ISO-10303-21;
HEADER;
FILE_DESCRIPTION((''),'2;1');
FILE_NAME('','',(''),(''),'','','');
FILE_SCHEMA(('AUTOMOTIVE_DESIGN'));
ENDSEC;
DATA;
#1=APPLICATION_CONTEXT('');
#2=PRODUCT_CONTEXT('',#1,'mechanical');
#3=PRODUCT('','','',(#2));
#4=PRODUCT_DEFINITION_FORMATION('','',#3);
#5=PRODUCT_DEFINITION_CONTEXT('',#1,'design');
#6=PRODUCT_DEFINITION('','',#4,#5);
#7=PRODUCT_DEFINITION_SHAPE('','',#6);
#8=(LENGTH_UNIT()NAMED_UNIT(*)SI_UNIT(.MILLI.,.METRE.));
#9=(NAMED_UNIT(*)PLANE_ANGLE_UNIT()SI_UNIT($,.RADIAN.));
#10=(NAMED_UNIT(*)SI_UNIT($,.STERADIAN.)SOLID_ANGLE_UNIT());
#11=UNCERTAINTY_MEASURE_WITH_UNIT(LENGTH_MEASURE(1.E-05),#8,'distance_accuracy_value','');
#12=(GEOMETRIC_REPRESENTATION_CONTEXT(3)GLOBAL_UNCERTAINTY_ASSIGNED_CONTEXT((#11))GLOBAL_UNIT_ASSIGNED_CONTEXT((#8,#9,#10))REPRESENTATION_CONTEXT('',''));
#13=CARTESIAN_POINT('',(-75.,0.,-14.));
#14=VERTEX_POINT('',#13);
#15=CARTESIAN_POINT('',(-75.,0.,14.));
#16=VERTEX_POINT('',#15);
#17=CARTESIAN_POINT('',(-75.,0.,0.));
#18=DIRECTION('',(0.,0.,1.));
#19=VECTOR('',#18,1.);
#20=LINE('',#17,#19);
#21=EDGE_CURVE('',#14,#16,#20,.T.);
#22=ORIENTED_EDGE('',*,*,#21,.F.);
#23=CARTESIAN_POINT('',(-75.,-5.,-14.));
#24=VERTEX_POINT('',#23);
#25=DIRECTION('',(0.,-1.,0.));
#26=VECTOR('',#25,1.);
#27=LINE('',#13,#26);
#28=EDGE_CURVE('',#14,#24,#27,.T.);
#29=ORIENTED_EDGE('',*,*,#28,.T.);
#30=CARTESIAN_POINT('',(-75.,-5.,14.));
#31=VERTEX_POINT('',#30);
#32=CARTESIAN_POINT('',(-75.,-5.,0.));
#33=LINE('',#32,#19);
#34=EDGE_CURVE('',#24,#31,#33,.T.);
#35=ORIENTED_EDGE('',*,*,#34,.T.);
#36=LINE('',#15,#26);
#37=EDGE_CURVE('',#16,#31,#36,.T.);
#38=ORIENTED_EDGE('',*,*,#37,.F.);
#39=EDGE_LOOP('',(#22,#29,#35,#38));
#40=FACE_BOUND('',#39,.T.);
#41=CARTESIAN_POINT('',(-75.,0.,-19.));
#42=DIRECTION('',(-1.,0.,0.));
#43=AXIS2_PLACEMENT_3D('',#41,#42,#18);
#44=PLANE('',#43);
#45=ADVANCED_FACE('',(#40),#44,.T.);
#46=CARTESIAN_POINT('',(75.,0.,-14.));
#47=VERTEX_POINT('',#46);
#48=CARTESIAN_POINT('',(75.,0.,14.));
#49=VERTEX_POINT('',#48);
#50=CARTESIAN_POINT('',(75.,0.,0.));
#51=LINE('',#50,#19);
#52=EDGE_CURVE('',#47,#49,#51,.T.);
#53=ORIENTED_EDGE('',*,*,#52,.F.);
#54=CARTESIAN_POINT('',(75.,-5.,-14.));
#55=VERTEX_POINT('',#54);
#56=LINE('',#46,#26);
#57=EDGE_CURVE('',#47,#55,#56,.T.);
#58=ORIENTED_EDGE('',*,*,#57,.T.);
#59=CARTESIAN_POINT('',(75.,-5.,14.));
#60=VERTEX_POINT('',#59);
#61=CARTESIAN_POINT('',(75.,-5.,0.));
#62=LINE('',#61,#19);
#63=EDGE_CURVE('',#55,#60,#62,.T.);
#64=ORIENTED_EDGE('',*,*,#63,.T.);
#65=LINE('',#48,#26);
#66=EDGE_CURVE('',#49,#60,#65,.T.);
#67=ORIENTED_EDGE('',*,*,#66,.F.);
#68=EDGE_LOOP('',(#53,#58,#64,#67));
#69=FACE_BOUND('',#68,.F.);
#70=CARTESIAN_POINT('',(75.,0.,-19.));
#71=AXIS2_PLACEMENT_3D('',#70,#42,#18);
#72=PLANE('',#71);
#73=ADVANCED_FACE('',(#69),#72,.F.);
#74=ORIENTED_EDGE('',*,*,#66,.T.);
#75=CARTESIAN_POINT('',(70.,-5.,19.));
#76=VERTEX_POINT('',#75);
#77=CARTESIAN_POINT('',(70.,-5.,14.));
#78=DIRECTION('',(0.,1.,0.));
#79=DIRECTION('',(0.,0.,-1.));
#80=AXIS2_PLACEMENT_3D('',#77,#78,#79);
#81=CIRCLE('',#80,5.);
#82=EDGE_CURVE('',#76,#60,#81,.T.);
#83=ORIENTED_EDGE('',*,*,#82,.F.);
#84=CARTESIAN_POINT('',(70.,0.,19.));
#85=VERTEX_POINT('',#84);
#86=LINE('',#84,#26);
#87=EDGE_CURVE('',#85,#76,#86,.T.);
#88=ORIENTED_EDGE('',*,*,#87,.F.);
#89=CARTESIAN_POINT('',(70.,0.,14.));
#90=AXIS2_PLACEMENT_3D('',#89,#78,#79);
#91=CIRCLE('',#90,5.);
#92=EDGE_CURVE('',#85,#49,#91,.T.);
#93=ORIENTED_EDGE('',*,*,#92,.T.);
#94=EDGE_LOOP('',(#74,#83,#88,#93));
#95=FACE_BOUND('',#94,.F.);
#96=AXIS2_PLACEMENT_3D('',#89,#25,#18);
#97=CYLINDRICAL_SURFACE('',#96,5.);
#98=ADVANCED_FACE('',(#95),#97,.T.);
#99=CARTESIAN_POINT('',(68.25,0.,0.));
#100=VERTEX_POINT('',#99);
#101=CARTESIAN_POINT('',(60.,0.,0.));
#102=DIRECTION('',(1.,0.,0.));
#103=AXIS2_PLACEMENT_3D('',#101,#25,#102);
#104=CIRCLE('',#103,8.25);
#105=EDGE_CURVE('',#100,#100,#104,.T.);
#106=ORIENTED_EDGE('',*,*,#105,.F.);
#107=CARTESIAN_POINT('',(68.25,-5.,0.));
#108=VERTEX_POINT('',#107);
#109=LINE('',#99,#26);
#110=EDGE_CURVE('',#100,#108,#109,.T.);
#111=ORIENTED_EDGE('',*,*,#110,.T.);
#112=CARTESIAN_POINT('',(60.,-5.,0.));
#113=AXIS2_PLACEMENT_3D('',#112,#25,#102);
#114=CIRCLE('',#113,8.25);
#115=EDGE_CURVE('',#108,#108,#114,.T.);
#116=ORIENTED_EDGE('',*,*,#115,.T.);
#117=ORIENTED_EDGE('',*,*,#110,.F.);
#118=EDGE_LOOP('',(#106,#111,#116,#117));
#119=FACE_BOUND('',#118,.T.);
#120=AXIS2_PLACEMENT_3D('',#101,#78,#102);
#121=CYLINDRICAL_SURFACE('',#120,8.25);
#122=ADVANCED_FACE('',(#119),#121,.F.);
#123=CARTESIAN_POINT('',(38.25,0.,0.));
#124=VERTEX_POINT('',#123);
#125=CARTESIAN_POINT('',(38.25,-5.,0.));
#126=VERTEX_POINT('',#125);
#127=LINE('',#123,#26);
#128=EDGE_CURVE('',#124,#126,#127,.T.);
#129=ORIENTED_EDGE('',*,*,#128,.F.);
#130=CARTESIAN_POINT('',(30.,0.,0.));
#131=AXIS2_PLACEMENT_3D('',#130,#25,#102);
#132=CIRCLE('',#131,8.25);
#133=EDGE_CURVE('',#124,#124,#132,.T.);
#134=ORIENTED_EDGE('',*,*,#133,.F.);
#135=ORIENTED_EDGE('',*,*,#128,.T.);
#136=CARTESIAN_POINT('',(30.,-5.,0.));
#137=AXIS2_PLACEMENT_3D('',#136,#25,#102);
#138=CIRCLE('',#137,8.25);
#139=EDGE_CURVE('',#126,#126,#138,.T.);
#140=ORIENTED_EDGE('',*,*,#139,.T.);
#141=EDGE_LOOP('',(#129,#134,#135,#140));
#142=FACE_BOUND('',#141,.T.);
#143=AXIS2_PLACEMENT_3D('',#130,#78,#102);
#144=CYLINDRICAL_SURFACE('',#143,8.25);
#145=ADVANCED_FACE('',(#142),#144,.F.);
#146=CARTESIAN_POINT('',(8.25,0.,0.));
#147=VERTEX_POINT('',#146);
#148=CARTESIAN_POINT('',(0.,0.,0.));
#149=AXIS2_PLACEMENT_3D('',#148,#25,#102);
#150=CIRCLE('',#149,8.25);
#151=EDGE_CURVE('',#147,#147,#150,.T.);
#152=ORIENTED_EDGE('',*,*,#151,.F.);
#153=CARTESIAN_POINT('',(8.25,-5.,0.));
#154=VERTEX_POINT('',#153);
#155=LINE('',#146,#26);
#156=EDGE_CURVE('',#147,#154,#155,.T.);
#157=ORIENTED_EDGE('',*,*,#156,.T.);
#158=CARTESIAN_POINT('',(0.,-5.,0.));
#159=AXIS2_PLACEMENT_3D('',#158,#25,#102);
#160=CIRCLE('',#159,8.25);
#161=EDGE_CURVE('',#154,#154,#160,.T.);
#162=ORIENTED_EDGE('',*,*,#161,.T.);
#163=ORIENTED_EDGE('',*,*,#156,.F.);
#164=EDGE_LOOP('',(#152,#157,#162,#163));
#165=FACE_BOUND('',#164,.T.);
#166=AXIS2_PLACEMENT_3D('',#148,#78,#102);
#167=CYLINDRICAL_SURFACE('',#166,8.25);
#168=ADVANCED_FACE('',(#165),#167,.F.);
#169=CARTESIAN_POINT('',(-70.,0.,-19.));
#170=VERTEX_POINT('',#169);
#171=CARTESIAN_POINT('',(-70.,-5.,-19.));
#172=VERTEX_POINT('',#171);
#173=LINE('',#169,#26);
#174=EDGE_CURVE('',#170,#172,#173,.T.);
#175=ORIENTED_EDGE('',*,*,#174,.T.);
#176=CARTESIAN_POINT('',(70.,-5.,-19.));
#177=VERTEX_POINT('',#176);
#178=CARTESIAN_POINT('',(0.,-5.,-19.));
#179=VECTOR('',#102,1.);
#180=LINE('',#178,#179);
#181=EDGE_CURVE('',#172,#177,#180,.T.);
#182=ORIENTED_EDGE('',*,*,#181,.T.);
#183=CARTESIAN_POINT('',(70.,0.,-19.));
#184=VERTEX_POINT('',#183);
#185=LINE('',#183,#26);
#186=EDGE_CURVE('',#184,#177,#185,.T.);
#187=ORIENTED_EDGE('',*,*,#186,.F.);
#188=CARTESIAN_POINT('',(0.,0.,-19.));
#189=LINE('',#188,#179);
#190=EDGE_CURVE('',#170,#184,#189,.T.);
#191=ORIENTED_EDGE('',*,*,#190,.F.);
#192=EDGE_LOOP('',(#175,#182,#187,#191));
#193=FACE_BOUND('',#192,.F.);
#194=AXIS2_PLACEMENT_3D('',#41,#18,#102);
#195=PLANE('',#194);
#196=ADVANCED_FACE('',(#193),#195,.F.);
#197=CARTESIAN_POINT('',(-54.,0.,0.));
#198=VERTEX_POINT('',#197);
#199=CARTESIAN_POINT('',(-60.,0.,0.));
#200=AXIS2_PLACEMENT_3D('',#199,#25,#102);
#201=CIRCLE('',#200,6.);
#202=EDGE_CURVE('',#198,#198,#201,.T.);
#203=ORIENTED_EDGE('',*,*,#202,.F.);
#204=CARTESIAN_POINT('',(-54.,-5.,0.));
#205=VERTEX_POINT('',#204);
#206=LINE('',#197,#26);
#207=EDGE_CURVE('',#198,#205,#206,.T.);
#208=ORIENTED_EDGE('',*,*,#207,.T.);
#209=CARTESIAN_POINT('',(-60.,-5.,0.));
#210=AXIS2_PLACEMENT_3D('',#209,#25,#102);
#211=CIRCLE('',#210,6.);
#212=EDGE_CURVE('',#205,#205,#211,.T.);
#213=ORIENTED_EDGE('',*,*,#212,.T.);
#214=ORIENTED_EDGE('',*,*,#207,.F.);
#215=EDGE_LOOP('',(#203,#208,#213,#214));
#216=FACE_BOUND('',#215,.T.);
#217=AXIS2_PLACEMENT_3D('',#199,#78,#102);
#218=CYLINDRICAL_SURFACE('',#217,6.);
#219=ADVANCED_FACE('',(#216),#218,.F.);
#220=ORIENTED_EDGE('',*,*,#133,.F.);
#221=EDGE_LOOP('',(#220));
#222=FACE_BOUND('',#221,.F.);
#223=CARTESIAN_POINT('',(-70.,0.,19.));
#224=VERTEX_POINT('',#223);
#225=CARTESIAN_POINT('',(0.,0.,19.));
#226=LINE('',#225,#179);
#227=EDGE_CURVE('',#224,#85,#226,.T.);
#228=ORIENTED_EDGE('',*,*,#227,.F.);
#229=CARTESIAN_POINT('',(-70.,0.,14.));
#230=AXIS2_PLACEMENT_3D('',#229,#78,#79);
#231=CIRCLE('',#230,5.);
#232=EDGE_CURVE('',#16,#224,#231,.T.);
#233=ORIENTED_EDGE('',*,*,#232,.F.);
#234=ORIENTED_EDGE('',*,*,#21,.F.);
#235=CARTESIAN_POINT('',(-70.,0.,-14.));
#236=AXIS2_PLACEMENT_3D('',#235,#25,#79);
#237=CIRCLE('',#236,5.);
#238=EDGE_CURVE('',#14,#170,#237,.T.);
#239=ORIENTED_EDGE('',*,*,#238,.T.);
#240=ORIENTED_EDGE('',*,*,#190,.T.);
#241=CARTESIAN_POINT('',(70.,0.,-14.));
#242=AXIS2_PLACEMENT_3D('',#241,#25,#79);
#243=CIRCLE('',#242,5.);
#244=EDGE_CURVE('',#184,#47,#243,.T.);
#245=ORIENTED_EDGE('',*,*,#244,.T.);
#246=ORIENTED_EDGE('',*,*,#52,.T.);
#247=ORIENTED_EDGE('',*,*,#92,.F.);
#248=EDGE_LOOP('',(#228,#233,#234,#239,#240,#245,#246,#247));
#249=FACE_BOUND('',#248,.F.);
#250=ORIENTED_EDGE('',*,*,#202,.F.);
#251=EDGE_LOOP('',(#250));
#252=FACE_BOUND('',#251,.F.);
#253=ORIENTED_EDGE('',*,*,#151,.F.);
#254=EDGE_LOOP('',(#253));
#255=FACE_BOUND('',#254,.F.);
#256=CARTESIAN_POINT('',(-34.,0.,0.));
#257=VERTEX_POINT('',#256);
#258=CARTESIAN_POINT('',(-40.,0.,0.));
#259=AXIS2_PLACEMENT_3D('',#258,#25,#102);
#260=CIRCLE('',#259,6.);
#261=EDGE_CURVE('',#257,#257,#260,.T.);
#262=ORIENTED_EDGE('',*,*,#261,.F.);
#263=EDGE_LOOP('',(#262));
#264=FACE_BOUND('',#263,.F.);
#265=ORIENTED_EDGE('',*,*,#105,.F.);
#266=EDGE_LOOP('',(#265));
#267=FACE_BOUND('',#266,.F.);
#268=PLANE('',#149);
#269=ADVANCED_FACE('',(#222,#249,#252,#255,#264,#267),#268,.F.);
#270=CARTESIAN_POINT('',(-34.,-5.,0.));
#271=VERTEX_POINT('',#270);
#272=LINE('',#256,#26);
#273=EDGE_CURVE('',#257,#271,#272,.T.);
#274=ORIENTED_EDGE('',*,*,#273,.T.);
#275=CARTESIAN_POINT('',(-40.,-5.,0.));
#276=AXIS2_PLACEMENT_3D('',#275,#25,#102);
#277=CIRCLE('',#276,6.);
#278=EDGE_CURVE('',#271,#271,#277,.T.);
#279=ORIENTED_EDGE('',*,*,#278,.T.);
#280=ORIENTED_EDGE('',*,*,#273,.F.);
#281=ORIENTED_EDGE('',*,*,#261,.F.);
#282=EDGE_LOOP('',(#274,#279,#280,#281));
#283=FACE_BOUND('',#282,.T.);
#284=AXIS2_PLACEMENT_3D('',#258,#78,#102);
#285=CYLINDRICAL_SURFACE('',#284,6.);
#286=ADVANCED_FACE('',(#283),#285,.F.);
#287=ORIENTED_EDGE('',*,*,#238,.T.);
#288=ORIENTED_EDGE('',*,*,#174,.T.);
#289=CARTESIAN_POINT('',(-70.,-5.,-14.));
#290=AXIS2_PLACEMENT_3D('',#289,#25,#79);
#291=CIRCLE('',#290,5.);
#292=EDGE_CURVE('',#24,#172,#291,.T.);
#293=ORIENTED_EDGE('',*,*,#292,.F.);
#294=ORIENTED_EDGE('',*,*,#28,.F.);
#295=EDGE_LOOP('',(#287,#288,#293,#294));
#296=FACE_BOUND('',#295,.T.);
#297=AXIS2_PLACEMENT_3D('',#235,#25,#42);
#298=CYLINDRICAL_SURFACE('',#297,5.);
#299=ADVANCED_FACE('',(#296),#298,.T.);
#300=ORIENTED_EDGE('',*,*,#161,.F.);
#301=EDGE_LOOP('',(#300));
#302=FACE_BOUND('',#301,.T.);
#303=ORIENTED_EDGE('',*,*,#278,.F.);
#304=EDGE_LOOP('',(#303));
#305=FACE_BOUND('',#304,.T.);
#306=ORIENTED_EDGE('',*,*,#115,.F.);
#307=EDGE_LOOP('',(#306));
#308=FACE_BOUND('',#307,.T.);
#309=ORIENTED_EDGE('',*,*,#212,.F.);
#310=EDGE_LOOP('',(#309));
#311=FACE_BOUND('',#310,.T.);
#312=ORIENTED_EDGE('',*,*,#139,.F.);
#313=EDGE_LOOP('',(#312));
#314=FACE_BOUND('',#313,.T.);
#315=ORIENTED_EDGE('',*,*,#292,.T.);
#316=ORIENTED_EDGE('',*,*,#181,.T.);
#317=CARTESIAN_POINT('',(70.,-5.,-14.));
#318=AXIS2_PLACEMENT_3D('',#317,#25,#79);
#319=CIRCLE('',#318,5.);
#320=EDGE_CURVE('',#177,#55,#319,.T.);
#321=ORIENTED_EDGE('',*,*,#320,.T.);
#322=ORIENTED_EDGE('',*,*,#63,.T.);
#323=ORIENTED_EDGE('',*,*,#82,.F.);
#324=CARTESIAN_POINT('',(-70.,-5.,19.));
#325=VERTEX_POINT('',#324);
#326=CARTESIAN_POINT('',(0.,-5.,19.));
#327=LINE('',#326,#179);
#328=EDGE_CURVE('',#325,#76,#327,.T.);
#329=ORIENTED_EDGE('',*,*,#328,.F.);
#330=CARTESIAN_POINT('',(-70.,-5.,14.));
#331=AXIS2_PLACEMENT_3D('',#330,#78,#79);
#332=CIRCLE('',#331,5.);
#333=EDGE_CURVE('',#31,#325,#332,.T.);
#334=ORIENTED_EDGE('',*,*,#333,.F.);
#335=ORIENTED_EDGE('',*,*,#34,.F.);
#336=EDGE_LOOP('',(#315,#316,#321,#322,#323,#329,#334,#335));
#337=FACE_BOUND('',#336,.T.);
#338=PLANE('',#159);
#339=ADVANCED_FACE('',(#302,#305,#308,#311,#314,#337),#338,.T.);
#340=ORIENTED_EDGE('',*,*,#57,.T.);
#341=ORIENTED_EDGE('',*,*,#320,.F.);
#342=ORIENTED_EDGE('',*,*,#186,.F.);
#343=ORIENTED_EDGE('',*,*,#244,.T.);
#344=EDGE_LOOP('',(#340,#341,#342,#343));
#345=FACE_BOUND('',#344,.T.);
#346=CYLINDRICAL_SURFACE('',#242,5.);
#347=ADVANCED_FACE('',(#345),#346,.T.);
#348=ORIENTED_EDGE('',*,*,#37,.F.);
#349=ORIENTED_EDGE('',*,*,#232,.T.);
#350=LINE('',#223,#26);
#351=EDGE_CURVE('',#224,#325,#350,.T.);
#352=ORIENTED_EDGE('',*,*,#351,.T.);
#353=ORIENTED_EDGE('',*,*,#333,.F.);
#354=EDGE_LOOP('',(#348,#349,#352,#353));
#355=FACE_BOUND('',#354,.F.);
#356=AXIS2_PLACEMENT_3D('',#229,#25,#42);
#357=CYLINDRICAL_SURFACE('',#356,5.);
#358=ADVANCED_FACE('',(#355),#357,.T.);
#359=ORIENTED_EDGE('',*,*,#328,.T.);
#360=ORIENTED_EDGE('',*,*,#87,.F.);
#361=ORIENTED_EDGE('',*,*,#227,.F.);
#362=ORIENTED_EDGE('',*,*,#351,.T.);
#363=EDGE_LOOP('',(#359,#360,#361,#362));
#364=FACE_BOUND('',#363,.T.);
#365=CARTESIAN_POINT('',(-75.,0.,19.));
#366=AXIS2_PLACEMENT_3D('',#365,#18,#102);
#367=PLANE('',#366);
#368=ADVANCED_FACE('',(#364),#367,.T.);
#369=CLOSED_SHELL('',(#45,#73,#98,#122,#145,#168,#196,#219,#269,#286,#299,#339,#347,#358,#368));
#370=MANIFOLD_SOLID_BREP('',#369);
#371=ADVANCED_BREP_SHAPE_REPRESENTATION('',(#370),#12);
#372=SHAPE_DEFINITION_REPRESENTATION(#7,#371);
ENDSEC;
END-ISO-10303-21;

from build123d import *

# Parameters (mm, degrees)
F0_W     = 150
F0_H     = 38
F0_R     = 6
F0_R_2   = 8.25
F1_DEPTH = 5
F2_R     = 5


with BuildPart() as f1:
    # F0 (on Front) → F1 (new body)
    with BuildSketch(Plane.XZ):
        Rectangle(F0_W, F0_H)
        with Locations((-60, 0)):
            Circle(F0_R, mode=Mode.SUBTRACT)
        with Locations((-40, 0)):
            Circle(F0_R, mode=Mode.SUBTRACT)
        Circle(F0_R_2, mode=Mode.SUBTRACT)
        with Locations((30, 0)):
            Circle(F0_R_2, mode=Mode.SUBTRACT)
        with Locations((60, 0)):
            Circle(F0_R_2, mode=Mode.SUBTRACT)
    extrude(amount=F1_DEPTH)

    # F2
    f2_edges = [f1.edges().sort_by_distance(p)[0] for p in [
        (-75, -2.5, 19),
        (-75, -2.5, -19),
        (75, -2.5, 19),
        (75, -2.5, -19),
    ]]
    fillet(f2_edges, radius=F2_R)


solid = f1.part
